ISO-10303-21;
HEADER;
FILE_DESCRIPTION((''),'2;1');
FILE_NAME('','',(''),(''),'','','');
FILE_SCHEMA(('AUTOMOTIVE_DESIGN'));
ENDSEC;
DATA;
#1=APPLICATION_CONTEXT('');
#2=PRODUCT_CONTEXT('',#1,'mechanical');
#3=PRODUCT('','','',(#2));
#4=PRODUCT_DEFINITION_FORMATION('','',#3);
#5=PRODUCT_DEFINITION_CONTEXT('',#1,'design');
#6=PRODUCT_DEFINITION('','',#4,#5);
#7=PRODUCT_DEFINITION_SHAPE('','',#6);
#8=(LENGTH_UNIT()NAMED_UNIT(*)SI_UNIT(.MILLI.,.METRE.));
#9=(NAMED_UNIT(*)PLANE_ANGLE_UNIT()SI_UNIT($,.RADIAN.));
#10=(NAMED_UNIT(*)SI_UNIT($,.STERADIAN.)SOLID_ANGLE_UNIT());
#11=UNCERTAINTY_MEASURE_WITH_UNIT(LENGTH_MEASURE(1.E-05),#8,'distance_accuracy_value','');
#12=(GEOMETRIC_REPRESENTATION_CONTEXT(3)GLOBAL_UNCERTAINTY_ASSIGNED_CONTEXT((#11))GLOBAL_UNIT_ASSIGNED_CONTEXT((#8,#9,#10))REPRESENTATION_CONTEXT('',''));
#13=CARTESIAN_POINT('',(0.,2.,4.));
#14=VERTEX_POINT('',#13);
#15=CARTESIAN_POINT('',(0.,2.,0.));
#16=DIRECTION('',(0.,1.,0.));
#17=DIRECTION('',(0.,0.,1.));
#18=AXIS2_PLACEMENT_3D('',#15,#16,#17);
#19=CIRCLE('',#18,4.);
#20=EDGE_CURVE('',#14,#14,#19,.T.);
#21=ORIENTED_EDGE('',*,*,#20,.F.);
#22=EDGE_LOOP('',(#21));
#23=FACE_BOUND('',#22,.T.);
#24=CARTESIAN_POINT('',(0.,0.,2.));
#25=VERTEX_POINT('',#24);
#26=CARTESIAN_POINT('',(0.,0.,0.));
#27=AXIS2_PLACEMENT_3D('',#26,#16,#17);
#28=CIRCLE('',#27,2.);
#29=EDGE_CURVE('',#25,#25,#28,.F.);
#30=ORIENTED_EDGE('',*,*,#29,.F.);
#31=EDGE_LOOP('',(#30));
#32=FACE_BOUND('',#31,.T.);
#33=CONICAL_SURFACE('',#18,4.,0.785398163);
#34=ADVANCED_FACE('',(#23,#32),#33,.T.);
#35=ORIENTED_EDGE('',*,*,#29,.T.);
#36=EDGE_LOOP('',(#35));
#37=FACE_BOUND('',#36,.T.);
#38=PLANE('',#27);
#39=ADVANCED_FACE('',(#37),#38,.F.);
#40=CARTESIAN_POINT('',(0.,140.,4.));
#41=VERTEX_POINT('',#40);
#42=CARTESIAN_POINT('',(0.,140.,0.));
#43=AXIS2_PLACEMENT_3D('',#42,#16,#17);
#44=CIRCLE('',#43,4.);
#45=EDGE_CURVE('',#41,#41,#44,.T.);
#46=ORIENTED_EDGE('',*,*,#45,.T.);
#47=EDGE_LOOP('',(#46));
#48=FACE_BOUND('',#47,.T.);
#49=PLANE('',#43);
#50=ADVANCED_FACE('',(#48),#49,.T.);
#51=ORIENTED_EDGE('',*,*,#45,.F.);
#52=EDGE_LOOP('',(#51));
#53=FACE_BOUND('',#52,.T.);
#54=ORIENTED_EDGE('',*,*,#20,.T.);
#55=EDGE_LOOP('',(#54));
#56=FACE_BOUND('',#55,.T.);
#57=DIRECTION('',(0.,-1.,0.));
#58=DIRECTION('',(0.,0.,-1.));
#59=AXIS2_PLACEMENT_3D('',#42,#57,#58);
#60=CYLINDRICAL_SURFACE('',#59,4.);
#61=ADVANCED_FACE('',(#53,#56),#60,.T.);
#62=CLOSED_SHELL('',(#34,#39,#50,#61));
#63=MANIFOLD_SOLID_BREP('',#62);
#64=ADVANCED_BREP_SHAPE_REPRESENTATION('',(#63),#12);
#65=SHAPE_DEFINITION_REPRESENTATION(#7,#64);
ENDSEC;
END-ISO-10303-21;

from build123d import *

# Parameters (mm, degrees)
SKETCH1_R           = 4
BOSS_EXTRUDE1_DEPTH = 140
CHAMFER1_SIZE       = 2


with BuildPart() as part:
    # Sketch1 → Boss-Extrude1 (new body)
    with BuildSketch(Plane(origin=(0, 0, 0), x_dir=(1, 0, 0), z_dir=(0, 1, 0))):
        with Locations(Location((0, 0, 0), (0, 0, 270))):
            Circle(SKETCH1_R)
    extrude(amount=BOSS_EXTRUDE1_DEPTH)

    # Chamfer1
    chamfer1_edges = [part.edges().sort_by_distance(p)[0] for p in [
        (0, 0, -4),
    ]]
    chamfer(chamfer1_edges, length=CHAMFER1_SIZE)


solid = part.part
